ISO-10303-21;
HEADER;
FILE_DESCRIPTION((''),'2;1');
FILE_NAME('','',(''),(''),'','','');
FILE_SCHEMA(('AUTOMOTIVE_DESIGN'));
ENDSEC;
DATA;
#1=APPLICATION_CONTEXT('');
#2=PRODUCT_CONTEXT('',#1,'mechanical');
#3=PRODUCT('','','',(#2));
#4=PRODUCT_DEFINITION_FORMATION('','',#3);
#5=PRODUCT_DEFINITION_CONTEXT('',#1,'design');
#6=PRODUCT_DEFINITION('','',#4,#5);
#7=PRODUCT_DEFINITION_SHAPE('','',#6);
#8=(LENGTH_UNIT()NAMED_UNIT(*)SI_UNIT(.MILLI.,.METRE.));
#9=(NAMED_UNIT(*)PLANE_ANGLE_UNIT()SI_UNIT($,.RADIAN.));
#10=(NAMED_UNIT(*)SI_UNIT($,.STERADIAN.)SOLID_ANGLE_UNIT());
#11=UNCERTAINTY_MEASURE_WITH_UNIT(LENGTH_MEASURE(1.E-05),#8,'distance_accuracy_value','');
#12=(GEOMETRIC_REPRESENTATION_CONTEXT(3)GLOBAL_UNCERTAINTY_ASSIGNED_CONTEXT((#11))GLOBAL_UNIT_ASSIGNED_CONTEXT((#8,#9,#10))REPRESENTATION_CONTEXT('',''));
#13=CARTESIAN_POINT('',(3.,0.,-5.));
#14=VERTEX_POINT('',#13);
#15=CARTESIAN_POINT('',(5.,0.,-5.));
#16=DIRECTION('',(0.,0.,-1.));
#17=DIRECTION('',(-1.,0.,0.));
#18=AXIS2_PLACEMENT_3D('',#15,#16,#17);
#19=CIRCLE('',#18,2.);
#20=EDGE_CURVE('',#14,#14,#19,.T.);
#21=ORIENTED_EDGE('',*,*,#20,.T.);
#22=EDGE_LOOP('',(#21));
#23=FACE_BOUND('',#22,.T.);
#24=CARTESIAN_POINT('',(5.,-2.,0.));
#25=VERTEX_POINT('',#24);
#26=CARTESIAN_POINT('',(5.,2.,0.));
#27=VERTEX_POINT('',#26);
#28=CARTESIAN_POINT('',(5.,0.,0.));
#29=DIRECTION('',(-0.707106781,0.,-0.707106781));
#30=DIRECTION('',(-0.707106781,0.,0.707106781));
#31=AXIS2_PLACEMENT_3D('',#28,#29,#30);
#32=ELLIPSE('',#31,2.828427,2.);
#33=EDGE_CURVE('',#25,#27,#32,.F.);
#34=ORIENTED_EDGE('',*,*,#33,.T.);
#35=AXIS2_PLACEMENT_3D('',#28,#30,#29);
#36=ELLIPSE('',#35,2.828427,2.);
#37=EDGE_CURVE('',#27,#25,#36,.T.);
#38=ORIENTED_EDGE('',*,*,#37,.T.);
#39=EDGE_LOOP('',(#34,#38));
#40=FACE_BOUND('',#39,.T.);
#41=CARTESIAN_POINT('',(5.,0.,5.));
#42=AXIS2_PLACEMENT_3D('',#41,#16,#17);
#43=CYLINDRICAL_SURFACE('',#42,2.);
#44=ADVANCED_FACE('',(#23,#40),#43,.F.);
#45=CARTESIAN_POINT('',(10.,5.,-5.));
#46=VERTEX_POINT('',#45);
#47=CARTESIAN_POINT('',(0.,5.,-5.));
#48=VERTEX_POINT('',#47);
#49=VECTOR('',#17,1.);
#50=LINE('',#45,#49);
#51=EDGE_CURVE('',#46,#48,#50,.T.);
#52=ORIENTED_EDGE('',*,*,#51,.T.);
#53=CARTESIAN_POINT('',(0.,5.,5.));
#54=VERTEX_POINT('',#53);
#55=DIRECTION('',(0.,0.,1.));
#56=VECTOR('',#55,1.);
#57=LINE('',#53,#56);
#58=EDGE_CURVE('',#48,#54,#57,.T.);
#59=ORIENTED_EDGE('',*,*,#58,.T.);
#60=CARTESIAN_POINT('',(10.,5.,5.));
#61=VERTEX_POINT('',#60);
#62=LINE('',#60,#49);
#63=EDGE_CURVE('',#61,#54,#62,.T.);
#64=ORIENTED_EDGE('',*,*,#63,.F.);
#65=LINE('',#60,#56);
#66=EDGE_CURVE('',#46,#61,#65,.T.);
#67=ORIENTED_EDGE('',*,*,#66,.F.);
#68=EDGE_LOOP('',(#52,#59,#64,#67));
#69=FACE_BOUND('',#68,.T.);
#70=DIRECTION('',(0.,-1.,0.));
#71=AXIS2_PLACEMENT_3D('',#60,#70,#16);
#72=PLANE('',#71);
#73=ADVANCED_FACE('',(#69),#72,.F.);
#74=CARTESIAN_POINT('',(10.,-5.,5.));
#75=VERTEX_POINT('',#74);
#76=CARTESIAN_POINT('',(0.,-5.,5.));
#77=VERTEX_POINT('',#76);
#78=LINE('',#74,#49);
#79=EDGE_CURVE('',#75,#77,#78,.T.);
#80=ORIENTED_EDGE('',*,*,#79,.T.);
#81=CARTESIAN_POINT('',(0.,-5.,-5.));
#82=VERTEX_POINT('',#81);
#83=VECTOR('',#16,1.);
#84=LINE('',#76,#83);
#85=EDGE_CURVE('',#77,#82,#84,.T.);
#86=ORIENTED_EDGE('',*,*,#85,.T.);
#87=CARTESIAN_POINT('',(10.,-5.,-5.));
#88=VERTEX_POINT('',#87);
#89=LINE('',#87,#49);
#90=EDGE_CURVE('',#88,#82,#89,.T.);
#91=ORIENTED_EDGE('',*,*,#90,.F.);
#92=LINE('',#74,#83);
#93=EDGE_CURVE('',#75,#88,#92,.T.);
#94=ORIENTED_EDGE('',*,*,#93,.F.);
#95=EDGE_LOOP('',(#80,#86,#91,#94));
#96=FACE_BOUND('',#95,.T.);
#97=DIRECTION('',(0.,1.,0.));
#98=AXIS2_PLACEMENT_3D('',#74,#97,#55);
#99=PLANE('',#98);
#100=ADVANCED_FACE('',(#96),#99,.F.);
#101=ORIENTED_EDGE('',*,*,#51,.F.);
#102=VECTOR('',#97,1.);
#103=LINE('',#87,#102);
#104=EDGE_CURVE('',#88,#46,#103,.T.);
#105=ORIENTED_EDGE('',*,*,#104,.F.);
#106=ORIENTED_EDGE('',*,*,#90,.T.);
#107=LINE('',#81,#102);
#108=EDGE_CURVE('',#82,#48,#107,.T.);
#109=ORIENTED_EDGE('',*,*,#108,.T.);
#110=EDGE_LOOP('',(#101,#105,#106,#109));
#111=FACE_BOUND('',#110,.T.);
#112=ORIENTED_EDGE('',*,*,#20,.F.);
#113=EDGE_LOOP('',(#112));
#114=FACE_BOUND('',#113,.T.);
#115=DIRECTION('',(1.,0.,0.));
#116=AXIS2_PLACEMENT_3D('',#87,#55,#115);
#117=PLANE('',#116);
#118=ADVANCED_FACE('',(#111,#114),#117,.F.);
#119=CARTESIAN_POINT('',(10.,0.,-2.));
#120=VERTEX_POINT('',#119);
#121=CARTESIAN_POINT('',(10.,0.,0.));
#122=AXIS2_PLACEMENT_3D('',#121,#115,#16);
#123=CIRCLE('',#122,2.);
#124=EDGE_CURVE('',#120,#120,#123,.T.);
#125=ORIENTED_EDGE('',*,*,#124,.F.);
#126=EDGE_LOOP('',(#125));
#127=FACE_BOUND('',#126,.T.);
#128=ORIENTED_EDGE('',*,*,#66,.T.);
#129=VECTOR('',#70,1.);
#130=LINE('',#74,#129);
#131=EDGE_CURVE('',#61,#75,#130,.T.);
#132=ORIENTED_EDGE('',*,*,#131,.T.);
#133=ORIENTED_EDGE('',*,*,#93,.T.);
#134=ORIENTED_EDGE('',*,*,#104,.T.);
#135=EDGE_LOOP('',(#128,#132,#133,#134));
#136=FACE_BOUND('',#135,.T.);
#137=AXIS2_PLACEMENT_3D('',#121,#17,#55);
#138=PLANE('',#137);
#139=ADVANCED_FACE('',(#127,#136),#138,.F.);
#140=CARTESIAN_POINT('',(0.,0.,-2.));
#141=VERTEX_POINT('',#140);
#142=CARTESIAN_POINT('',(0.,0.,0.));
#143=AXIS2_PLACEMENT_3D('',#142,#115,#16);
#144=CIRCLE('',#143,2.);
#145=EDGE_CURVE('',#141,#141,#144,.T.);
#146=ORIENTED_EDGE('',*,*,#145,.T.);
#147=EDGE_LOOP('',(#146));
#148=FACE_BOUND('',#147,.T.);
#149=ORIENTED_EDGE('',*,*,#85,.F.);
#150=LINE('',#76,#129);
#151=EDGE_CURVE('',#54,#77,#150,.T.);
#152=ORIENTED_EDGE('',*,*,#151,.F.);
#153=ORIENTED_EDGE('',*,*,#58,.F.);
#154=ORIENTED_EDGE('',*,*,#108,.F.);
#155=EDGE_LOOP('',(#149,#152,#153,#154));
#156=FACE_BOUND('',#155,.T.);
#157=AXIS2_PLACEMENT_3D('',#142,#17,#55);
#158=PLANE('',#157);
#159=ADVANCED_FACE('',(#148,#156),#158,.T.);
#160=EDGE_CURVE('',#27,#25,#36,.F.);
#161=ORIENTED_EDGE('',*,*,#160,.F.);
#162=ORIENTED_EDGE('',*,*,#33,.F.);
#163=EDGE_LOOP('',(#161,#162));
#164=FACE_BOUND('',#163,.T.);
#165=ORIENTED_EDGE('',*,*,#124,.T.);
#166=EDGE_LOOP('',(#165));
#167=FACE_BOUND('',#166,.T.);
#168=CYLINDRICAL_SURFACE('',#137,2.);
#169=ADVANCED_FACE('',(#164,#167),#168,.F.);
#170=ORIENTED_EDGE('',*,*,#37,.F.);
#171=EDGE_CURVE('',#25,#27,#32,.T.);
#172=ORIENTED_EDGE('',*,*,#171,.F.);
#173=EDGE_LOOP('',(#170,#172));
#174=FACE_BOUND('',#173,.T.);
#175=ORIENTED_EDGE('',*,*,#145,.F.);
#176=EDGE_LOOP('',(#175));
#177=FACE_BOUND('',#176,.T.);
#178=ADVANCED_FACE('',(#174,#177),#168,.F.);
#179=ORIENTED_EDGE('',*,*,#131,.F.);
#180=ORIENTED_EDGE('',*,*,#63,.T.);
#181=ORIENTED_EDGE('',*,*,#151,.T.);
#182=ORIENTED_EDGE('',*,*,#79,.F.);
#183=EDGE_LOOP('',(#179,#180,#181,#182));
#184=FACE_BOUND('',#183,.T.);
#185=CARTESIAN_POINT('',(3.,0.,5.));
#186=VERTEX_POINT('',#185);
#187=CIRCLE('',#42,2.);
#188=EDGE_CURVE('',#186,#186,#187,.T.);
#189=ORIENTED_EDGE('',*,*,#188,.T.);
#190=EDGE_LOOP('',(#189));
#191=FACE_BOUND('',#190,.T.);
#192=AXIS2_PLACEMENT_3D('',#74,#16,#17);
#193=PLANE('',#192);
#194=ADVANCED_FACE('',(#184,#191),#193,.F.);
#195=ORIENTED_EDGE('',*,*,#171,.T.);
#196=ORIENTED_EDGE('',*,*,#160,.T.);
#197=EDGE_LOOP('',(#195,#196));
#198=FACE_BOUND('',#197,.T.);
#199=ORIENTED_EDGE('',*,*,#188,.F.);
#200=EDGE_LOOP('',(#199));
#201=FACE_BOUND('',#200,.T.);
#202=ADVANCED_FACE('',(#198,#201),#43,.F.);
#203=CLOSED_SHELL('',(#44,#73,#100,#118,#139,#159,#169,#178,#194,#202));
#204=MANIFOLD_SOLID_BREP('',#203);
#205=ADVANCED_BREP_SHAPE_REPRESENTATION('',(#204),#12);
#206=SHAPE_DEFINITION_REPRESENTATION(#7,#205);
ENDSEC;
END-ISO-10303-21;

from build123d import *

# Parameters (mm, degrees)
SKETCH_1_W          = 10
SKETCH_1_H          = 10
SKETCH_1_R          = 2
EXTRUDE_1_DEPTH     = 10
SKETCH_2_R          = 2
CUT_EXTRUDE_1_DEPTH = 16


with BuildPart() as part:
    # 草图1 → 凸台-拉伸1 (new body)
    with BuildSketch(Plane(origin=(0, 0, 0), x_dir=(0, 0, -1), z_dir=(1, 0, 0))):
        Rectangle(SKETCH_1_W, SKETCH_1_H)
        Circle(SKETCH_1_R, mode=Mode.SUBTRACT)
    extrude(amount=EXTRUDE_1_DEPTH)

    # 草图2 → 切除-拉伸1 (cut, through all)
    with BuildSketch(Plane(origin=(0, 0, -5), x_dir=(-1, 0, 0), z_dir=(0, 0, -1))):
        with Locations((-5, 0)):
            Circle(SKETCH_2_R)
    extrude(amount=-CUT_EXTRUDE_1_DEPTH, mode=Mode.SUBTRACT)


solid = part.part
